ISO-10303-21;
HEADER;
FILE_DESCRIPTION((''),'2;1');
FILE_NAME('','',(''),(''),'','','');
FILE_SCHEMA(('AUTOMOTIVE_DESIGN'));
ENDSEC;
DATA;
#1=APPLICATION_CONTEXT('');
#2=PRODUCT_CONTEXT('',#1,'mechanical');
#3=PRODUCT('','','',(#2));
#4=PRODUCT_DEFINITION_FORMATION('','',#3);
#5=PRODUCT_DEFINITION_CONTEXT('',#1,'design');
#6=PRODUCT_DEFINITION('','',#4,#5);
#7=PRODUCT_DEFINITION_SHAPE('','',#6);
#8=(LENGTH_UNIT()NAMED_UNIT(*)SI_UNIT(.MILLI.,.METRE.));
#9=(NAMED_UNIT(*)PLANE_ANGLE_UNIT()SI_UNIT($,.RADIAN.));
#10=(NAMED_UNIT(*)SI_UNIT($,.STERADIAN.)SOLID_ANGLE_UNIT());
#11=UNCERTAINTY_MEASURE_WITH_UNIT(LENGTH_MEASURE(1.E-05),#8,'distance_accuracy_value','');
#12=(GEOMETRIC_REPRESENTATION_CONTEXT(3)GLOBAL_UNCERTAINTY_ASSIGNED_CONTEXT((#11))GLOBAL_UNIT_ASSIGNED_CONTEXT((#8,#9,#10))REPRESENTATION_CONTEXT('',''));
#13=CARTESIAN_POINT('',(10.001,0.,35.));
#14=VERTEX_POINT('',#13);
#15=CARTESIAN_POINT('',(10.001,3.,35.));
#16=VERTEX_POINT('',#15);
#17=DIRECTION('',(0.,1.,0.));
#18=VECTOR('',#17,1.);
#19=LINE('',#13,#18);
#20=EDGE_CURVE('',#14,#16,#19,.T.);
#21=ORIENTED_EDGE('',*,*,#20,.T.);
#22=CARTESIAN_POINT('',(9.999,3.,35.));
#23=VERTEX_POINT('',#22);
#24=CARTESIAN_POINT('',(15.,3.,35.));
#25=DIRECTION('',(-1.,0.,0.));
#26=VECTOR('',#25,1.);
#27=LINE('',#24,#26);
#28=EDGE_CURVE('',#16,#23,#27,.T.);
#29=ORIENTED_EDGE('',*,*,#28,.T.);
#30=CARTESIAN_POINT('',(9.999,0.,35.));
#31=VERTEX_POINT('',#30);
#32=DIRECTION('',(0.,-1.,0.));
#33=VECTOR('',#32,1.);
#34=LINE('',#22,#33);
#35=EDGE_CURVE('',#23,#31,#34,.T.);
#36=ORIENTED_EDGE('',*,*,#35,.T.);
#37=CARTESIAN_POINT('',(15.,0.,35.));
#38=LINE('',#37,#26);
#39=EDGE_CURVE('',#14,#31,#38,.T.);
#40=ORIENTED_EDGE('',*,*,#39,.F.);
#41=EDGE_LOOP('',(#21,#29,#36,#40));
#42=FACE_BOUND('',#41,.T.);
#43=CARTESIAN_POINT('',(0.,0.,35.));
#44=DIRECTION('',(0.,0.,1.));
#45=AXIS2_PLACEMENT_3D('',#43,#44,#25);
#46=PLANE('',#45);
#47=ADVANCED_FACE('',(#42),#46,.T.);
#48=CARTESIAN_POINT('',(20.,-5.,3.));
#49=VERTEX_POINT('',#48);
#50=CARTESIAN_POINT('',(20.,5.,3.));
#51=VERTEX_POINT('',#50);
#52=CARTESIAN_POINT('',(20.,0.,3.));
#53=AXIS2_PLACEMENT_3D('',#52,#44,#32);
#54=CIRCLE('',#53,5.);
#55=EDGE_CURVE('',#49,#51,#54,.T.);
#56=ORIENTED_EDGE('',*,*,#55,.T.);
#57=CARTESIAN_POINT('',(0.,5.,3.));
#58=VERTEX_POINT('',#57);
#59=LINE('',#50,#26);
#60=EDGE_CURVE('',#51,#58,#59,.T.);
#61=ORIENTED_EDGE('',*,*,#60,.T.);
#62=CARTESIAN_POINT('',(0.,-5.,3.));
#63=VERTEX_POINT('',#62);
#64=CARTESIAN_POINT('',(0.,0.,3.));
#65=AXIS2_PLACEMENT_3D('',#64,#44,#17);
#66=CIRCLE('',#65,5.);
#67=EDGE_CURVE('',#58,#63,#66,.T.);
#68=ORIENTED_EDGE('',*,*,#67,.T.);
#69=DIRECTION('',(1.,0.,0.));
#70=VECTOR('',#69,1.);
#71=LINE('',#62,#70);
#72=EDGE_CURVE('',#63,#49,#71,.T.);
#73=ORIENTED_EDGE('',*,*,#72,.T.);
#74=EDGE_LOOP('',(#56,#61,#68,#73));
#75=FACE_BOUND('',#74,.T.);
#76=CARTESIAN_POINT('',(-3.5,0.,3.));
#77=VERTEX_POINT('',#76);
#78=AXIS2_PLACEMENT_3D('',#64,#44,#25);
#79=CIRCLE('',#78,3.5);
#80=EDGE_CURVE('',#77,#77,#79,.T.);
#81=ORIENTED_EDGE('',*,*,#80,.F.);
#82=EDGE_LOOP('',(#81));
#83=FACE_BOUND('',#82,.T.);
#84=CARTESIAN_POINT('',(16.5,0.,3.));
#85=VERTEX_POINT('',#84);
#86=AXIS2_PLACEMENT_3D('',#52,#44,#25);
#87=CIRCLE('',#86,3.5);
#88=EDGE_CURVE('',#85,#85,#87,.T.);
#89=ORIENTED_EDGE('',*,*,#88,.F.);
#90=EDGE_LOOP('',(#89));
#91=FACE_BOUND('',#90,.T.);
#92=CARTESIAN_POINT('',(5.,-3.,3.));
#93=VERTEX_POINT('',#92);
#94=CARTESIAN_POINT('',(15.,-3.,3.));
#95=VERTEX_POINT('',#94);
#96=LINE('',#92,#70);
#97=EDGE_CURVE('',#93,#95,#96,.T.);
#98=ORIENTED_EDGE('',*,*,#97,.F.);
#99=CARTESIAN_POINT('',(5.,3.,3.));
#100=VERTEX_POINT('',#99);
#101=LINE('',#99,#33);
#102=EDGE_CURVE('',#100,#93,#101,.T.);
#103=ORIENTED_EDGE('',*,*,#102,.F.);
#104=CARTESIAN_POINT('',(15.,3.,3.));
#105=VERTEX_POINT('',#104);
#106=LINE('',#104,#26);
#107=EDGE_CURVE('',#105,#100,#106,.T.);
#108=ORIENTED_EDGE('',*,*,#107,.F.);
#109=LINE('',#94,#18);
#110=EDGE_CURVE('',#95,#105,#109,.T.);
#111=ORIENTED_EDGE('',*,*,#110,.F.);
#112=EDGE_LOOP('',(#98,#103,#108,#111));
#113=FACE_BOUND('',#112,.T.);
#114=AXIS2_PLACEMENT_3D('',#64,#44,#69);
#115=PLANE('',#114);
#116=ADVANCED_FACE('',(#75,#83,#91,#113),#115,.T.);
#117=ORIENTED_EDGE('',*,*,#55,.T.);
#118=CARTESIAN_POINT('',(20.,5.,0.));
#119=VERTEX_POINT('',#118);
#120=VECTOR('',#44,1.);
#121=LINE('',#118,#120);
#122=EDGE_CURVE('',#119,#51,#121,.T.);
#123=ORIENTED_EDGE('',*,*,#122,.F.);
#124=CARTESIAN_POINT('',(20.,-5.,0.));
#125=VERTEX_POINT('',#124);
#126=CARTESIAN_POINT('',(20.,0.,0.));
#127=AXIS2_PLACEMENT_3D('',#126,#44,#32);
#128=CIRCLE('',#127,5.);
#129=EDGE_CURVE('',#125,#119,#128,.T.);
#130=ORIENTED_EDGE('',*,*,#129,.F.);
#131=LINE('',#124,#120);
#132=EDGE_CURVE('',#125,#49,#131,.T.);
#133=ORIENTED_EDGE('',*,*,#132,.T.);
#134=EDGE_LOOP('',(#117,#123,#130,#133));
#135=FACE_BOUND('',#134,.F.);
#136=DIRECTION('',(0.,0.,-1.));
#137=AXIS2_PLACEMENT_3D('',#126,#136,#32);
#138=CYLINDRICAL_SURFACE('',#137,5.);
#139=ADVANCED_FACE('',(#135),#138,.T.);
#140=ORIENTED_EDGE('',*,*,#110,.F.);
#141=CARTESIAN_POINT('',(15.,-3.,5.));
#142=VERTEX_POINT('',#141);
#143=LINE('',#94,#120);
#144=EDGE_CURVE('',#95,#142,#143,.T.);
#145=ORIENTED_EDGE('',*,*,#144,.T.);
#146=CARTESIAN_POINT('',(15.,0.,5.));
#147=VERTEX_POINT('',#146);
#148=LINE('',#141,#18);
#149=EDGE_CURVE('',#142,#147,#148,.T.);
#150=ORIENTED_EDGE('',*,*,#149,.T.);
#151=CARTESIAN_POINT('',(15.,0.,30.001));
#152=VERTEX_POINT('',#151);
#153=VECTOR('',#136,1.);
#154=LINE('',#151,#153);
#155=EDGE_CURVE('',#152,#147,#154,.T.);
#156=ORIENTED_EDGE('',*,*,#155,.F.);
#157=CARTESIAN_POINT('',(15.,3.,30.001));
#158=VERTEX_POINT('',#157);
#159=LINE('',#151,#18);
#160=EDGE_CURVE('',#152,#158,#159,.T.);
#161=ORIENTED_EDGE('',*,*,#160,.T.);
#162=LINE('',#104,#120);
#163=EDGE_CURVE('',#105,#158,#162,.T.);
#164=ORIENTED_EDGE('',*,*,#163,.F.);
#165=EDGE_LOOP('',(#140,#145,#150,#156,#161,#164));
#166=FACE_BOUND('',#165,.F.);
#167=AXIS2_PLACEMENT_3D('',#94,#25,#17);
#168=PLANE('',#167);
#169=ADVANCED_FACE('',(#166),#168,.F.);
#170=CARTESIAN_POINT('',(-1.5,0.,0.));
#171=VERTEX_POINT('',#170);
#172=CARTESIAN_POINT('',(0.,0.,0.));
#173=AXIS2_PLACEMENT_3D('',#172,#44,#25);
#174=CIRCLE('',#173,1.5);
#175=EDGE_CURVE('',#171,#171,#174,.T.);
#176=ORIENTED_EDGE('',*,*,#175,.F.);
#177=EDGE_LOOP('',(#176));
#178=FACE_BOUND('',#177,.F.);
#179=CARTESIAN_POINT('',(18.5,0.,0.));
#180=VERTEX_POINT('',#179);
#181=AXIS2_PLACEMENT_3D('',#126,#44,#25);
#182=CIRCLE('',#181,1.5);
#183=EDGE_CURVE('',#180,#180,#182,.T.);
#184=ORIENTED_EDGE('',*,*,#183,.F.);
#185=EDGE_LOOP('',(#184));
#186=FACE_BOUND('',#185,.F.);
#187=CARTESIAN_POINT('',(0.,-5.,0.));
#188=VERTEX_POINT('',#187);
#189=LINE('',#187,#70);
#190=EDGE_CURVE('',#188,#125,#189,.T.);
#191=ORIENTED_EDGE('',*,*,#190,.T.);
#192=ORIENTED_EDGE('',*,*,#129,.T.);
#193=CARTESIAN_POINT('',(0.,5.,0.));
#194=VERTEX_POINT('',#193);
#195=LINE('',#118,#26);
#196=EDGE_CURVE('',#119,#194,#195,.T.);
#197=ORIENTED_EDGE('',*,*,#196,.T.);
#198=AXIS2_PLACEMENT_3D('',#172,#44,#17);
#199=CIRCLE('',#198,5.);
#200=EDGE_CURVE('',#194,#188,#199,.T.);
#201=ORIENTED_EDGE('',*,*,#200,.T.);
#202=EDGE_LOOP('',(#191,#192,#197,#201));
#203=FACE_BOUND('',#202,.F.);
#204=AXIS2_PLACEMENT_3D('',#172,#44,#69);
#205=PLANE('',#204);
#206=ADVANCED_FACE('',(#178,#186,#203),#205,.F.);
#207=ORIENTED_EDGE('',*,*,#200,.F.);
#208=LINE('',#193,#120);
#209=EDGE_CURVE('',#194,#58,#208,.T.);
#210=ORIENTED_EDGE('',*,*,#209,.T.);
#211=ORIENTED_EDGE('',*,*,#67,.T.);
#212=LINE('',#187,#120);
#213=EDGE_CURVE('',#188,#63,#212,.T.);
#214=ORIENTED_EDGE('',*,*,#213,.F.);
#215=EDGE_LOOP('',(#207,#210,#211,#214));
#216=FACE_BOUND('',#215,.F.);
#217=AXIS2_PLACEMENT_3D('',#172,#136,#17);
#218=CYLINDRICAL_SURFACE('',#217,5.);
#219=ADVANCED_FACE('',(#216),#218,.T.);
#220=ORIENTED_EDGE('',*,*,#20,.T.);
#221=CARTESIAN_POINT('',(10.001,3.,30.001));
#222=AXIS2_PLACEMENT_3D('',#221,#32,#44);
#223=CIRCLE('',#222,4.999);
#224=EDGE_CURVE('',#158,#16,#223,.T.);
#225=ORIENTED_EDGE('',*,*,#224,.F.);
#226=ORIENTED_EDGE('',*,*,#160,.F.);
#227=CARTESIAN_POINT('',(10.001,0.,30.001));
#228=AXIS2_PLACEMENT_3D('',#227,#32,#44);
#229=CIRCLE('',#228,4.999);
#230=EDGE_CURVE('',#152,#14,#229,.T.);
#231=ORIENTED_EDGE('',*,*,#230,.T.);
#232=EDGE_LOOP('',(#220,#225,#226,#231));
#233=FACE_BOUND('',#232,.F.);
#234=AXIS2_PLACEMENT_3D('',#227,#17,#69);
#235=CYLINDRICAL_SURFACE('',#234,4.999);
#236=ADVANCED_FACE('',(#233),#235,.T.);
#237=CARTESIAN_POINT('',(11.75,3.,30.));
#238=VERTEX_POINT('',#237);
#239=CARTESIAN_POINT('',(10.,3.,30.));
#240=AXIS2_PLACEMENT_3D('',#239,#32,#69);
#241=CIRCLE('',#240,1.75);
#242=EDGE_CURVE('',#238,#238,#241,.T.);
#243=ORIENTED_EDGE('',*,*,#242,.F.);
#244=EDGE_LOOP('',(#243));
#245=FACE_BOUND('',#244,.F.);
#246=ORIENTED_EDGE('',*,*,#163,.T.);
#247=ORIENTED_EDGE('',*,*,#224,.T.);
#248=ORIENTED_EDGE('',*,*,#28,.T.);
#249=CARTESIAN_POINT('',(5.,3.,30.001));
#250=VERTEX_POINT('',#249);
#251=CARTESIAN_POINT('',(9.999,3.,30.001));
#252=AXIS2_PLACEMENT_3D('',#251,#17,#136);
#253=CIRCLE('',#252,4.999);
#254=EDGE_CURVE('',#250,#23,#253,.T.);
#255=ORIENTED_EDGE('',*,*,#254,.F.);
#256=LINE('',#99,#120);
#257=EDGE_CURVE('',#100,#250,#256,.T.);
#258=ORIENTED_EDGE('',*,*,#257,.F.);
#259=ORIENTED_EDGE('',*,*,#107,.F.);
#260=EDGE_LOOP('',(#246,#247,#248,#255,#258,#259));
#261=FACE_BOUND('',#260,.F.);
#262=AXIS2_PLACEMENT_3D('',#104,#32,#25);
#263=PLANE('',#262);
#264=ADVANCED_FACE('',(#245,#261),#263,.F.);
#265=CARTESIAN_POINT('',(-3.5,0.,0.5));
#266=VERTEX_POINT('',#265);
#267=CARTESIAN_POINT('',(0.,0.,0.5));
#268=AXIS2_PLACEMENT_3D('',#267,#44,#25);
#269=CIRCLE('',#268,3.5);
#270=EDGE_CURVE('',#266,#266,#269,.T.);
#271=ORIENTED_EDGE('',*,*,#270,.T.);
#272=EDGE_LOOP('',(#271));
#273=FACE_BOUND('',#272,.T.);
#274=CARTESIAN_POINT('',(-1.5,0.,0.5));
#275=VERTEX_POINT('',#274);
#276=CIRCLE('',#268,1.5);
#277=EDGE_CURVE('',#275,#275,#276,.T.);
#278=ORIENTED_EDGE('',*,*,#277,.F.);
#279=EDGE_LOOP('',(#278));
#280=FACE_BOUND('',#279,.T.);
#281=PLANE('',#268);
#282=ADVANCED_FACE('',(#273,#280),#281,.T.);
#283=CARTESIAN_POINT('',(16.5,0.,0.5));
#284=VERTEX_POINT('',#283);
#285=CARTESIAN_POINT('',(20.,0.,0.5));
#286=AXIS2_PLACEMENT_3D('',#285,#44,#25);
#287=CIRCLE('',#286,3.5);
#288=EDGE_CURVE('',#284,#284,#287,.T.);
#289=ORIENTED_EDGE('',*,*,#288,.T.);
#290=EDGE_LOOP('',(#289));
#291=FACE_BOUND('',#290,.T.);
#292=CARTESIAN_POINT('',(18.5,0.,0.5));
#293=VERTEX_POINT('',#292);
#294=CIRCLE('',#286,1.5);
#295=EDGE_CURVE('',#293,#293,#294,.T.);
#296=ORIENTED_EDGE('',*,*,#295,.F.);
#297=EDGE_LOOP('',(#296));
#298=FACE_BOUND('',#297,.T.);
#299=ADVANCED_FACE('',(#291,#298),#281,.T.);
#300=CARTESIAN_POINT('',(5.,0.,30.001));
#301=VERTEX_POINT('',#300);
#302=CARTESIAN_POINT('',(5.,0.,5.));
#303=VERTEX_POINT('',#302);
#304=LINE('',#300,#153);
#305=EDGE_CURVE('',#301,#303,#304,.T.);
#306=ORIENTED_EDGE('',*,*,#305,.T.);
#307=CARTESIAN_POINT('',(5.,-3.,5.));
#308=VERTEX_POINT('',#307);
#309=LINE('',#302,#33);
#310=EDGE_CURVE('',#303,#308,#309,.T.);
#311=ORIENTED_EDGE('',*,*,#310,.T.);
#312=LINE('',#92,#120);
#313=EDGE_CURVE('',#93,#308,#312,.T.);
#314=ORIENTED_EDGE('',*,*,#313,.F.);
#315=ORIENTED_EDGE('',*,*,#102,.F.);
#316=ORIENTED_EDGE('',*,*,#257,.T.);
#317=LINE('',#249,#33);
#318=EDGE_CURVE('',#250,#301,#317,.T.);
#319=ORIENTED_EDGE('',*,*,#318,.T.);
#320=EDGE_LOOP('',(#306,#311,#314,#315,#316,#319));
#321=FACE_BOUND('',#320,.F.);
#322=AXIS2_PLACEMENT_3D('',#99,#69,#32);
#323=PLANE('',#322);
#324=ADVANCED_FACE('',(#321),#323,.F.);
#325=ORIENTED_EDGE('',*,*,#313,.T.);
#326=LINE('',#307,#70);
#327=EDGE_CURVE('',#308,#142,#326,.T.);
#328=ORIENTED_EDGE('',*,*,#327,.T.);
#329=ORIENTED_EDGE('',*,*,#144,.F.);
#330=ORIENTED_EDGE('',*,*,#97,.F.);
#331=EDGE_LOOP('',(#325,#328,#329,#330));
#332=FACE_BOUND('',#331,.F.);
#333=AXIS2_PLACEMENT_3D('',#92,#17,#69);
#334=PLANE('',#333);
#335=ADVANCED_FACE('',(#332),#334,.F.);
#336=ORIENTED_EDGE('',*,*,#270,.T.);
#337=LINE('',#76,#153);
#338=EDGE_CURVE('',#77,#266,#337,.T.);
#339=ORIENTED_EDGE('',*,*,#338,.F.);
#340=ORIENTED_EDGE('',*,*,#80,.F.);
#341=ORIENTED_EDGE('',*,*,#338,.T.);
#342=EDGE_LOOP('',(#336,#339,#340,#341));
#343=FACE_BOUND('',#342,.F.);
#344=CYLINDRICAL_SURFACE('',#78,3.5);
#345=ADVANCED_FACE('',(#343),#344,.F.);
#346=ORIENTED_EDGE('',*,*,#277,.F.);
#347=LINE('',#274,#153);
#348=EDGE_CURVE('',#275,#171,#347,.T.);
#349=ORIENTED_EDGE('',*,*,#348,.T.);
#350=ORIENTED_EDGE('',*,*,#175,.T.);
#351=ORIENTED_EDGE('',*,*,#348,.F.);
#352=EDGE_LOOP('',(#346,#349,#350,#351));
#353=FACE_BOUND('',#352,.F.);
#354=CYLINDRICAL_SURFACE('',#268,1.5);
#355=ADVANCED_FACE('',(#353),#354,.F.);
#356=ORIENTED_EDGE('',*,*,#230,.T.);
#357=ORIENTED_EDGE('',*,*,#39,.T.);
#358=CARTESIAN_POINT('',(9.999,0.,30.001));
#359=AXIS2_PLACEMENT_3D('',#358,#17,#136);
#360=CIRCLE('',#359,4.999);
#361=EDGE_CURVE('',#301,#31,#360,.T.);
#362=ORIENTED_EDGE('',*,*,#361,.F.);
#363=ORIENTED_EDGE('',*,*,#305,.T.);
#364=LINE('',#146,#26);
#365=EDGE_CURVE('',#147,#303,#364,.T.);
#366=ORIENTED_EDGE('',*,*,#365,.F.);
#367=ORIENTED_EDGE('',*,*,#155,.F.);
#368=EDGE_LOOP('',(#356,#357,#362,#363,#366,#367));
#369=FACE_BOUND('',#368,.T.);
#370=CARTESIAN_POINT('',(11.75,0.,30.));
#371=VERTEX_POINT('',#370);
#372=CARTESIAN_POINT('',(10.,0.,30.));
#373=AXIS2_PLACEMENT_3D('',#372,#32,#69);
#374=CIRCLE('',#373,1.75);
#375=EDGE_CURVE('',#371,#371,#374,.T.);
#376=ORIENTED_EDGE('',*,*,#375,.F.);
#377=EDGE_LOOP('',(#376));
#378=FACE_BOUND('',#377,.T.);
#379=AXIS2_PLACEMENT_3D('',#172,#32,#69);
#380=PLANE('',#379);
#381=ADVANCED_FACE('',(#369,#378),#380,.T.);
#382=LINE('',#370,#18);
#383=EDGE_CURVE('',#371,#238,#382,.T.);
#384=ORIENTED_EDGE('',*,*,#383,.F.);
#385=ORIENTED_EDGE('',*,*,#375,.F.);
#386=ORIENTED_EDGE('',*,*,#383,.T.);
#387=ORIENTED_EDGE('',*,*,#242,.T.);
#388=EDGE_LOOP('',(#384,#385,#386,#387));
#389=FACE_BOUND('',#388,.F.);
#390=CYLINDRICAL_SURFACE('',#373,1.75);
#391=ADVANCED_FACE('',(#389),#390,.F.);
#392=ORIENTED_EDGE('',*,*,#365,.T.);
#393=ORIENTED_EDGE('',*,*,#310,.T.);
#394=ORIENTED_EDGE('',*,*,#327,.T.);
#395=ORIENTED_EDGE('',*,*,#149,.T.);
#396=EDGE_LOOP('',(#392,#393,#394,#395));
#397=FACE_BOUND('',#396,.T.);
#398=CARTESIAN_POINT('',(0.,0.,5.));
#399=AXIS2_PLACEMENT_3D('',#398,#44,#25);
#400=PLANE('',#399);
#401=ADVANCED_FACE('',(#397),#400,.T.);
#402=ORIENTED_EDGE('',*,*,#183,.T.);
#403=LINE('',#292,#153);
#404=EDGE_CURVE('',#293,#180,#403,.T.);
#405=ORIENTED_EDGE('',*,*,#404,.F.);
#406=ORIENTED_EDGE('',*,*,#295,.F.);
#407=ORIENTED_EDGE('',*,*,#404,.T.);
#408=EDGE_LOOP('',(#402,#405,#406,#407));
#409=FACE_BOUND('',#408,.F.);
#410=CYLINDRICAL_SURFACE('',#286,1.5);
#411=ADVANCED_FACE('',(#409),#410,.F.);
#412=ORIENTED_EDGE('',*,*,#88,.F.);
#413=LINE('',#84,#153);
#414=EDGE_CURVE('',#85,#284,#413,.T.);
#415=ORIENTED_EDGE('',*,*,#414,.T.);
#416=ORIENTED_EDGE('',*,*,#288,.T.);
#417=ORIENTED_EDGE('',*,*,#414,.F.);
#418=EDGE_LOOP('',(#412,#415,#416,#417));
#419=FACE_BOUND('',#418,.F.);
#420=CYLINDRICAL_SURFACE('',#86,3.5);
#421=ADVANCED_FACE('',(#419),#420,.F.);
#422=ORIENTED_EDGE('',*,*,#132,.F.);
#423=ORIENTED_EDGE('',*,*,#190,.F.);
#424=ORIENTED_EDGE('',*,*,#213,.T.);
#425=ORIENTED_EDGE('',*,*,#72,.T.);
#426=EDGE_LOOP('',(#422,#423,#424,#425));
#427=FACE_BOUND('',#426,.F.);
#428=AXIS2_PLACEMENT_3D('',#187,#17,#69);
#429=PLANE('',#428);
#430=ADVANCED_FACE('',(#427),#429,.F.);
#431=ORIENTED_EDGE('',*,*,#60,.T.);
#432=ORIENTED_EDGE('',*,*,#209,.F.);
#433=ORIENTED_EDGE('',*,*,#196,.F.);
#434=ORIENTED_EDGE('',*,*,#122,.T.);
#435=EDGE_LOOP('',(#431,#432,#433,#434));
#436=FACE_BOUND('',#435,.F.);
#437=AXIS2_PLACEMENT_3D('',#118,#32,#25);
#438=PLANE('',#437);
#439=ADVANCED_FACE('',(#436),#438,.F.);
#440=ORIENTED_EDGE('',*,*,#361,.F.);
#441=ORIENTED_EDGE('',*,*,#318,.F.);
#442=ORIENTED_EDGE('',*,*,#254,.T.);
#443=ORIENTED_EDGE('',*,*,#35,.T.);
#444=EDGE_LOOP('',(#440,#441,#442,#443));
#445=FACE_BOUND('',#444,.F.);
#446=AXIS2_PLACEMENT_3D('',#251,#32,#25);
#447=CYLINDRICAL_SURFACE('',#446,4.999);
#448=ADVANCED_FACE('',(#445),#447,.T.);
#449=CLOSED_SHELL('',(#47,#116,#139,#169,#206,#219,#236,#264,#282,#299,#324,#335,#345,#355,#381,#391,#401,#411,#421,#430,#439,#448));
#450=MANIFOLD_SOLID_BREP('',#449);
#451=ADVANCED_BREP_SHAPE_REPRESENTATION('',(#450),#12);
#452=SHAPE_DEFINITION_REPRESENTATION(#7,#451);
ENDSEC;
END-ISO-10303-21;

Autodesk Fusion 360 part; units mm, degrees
sketch "Sketch1" plane through (0, 0, 0) normal (0, 0, 1) x (1, 0, 0)
  line L0 (0, -5) -> (20, -5)
  arc A0 (20, -5) -> (20, 5) centre (20, 0) ccw
  line L1 (20, 5) -> (0, 5)
  arc A1 (0, 5) -> (0, -5) centre (0, 0) ccw
  line L2 (0, 0) -> (20, 0) construction
  dimension "d1" = 10
extrude "Extrude1" add sketch "Sketch1" along normal blind 3
sketch "Sketch2" plane through (0, 0, 3) normal (0, 0, 1) x (-1, 0, 0)
  arc A0 (0, -5) -> (0, 5) centre (0, 0) ccw
  line L0 (0, 5) -> (-20, 5)
  arc A1 (-20, 5) -> (-20, -5) centre (-20, 0) ccw
  line L1 (-20, -5) -> (0, -5)
  circle A2 centre (0, 0) radius 3.5
  circle A3 centre (-20, 0) radius 3.5
  dimension "d4" = 7
extrude "Extrude2" cut sketch "Sketch2" against normal blind 2.5 contours A2 | A3
sketch "Sketch3" plane through (0, 0, 0.5) normal (0, 0, 1) x (-1, 0, 0)
  circle A0 centre (0, 0) radius 3.5
  circle A1 centre (0, 0) radius 1.5
  circle A2 centre (-20, 0) radius 1.5
  dimension "d7" = 3
extrude "Extrude3" cut sketch "Sketch3" against normal blind 2 contours A1 | A2
sketch "Sketch4" plane through (0, 0, 3) normal (0, 0, 1) x (-1, 0, 0)
  circle A0 centre (0, 0) radius 3.5
  circle A1 centre (-20, 0) radius 3.5
  arc A2 (0, -5) -> (0, 5) centre (0, 0) ccw
  line L0 (0, 5) -> (-20, 5)
  arc A3 (-20, 5) -> (-20, -5) centre (-20, 0) ccw
  line L1 (-20, -5) -> (0, -5)
  line L2 (-15, -3) -> (-5, -3)
  line L3 (-5, -3) -> (-5, 3)
  line L4 (-5, 3) -> (-15, 3)
  line L5 (-15, 3) -> (-15, -3)
  line L6 (-15, -3) -> (-5, 3) construction
  line L7 (-5, -3) -> (-15, 3) construction
  point P0 (-10, 0)
extrude "Extrude4" add sketch "Sketch4" along normal blind 32 contours L2 L3 L4 L5
sketch "Sketch5" plane through (0, -3, 0) normal (0, -1, 0) x (1, 0, 0)
  line L0 (5, 3) -> (15, 3)
  line L1 (15, 3) -> (15, 35)
  line L2 (15, 35) -> (5, 35)
  line L3 (5, 35) -> (5, 3)
  line L4 (5, 35) -> (15, 35)
  line L5 (15, 35) -> (15, 25)
  line L6 (15, 25) -> (5, 25)
  line L7 (5, 25) -> (5, 35)
  dimension "d12" = 10
  dimension "d13" = 10
extrude "Extrude5" cut sketch "Sketch5" against normal blind 3 contours L1 L2 L3 L4 L5 L6 L7
sketch "Sketch6" plane through (0, 0, 0) normal (0, -1, 0) x (1, 0, 0)
  line L0 (5, 25) -> (15, 25)
  line L1 (15, 25) -> (15, 35)
  line L2 (15, 35) -> (5, 35)
  line L3 (5, 35) -> (5, 25)
  circle A0 centre (10, 30) radius 1.75
  dimension "d16" = 3.5
extrude "Extrude6" cut sketch "Sketch6" against normal blind 3 contours A0
fillet "Fillet1" radius 5 2 edges at (15, 1.5, 35) (5, 1.5, 35)
sketch "Sketch8" plane through (0, 0, 25) normal (0, 0, 1) x (-1, 0, 0)
  line L0 (-5, 3) -> (-15, 3)
  line L1 (-15, 3) -> (-15, 0)
  line L2 (-15, 0) -> (-5, 0)
  line L3 (-5, 0) -> (-5, 3)
  line L4 (-5, 0) -> (-15, 0)
  line L5 (-15, 0) -> (-15, 3)
  line L6 (-15, 3) -> (-5, 3)
  line L7 (-5, 3) -> (-5, 0)
extrude "Extrude7" cut sketch "Sketch8" against normal blind 20
